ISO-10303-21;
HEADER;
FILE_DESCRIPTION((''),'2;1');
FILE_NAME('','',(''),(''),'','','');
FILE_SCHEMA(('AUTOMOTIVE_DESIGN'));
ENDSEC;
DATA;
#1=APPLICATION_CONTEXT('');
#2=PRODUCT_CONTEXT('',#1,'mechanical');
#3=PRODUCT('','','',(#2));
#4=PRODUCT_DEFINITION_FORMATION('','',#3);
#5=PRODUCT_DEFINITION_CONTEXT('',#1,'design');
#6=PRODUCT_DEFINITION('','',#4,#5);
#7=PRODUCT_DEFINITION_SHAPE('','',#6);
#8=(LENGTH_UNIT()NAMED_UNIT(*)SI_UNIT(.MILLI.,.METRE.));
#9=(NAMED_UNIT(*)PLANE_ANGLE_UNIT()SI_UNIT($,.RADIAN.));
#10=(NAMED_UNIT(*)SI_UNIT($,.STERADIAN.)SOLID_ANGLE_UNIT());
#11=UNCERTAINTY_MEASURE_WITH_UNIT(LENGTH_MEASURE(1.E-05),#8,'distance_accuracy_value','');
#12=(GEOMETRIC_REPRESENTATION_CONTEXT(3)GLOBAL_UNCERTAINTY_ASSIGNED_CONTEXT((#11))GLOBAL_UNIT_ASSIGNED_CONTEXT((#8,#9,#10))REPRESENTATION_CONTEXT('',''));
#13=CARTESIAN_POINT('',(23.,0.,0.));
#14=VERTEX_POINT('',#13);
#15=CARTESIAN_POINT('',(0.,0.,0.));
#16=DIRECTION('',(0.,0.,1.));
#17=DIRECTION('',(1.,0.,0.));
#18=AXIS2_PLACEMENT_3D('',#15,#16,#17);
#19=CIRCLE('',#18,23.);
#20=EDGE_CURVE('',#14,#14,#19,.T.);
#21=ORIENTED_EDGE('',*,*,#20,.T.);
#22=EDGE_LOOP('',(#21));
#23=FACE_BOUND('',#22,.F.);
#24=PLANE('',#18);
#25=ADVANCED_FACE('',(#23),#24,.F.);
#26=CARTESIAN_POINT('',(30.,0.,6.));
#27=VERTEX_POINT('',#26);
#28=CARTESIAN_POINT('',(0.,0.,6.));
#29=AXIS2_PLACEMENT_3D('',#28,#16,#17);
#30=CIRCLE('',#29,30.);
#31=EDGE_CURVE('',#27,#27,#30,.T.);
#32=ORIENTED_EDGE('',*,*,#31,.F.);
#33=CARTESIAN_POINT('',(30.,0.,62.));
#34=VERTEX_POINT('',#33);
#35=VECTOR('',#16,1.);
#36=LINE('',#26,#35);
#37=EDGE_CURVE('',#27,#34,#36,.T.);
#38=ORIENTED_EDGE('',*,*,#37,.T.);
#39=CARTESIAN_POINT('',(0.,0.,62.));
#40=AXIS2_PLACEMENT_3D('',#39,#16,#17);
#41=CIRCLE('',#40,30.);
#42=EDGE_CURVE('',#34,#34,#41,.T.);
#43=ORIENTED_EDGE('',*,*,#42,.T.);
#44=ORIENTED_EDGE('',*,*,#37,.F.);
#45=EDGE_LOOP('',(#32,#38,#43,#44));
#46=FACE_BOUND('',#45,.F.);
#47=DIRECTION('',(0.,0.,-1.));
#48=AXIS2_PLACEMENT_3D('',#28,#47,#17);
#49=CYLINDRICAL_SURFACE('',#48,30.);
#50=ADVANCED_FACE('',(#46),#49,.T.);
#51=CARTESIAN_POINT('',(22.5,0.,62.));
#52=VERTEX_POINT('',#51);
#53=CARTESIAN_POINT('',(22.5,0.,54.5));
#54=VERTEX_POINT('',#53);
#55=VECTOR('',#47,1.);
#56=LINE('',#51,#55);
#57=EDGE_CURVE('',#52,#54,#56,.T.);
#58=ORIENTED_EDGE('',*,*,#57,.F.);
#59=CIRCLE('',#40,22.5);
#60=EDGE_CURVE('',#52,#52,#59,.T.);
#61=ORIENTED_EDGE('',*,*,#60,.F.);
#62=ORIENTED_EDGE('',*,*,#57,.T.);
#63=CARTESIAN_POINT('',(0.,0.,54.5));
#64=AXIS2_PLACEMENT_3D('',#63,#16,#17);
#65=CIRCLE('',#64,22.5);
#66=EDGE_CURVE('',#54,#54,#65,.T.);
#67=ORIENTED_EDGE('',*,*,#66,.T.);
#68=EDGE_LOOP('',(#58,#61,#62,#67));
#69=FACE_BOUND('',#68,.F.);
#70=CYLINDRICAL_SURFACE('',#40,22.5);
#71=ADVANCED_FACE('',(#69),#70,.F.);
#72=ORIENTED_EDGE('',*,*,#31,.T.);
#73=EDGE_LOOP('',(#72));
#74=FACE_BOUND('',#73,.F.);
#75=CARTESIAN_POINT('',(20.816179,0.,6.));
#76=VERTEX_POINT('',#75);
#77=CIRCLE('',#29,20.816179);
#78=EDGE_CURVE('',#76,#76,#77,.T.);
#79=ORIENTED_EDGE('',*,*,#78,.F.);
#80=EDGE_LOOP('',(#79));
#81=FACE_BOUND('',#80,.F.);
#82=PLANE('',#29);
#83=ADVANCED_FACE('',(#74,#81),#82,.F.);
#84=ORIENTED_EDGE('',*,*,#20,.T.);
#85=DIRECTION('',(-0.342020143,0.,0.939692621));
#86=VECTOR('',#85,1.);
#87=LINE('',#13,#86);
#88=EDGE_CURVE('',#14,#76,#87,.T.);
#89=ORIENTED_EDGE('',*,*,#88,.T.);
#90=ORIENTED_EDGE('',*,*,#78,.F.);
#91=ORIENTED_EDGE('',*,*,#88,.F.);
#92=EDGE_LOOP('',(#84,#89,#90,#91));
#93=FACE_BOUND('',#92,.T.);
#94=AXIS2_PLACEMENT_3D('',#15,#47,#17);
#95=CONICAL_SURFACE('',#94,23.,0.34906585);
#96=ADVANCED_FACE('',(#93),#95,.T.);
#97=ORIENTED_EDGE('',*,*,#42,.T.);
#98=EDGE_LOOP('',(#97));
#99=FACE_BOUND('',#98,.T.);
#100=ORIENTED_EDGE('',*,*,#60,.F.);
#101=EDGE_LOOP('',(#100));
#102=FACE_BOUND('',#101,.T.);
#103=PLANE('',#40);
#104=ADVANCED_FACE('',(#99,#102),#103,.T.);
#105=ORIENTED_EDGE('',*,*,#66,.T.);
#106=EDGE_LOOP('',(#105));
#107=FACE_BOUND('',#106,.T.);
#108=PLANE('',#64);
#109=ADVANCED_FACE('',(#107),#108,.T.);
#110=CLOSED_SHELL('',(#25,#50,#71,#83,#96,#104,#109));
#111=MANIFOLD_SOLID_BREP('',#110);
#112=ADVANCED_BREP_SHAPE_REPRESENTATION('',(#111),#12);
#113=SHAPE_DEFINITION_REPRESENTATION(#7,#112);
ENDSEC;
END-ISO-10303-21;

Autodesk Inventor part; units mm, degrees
ref_plane "YZ Plane" through (0, 0, 0) normal (1, 0, 0) x (0, 1, 0)
ref_plane "XZ Plane" through (0, 0, 0) normal (0, 1, 0) x (-1, 0, 0)
ref_plane "XY Plane" through (0, 0, 0) normal (0, 0, 1) x (1, 0, 0)
sketch "Sketch1" plane through (0, 0, 0) normal (0, 0, 1) x (1, 0, 0)
  circle A0 centre (0, 0) radius 23
  dimension "d0" = 46
extrude "Extrusion1" add sketch "Sketch1" along normal blind 6 draft -20
sketch "Sketch2" plane through (0, 0, 6) normal (0, 0, 1) x (1, 0, 0)
  circle A0 centre (0, 0) radius 30
  dimension "d3" = 60
extrude "Extrusion2" add sketch "Sketch2" along normal blind 56
sketch "Sketch3" plane through (0, 0, 62) normal (0, 0, 1) x (1, 0, 0)
  circle A0 centre (0, 0) radius 22.5
  dimension "d6" = 45
extrude "Extrusion3" cut sketch "Sketch3" against normal blind 7.5
properties part number "olympusTubeLens" material "Aluminum 6061"
